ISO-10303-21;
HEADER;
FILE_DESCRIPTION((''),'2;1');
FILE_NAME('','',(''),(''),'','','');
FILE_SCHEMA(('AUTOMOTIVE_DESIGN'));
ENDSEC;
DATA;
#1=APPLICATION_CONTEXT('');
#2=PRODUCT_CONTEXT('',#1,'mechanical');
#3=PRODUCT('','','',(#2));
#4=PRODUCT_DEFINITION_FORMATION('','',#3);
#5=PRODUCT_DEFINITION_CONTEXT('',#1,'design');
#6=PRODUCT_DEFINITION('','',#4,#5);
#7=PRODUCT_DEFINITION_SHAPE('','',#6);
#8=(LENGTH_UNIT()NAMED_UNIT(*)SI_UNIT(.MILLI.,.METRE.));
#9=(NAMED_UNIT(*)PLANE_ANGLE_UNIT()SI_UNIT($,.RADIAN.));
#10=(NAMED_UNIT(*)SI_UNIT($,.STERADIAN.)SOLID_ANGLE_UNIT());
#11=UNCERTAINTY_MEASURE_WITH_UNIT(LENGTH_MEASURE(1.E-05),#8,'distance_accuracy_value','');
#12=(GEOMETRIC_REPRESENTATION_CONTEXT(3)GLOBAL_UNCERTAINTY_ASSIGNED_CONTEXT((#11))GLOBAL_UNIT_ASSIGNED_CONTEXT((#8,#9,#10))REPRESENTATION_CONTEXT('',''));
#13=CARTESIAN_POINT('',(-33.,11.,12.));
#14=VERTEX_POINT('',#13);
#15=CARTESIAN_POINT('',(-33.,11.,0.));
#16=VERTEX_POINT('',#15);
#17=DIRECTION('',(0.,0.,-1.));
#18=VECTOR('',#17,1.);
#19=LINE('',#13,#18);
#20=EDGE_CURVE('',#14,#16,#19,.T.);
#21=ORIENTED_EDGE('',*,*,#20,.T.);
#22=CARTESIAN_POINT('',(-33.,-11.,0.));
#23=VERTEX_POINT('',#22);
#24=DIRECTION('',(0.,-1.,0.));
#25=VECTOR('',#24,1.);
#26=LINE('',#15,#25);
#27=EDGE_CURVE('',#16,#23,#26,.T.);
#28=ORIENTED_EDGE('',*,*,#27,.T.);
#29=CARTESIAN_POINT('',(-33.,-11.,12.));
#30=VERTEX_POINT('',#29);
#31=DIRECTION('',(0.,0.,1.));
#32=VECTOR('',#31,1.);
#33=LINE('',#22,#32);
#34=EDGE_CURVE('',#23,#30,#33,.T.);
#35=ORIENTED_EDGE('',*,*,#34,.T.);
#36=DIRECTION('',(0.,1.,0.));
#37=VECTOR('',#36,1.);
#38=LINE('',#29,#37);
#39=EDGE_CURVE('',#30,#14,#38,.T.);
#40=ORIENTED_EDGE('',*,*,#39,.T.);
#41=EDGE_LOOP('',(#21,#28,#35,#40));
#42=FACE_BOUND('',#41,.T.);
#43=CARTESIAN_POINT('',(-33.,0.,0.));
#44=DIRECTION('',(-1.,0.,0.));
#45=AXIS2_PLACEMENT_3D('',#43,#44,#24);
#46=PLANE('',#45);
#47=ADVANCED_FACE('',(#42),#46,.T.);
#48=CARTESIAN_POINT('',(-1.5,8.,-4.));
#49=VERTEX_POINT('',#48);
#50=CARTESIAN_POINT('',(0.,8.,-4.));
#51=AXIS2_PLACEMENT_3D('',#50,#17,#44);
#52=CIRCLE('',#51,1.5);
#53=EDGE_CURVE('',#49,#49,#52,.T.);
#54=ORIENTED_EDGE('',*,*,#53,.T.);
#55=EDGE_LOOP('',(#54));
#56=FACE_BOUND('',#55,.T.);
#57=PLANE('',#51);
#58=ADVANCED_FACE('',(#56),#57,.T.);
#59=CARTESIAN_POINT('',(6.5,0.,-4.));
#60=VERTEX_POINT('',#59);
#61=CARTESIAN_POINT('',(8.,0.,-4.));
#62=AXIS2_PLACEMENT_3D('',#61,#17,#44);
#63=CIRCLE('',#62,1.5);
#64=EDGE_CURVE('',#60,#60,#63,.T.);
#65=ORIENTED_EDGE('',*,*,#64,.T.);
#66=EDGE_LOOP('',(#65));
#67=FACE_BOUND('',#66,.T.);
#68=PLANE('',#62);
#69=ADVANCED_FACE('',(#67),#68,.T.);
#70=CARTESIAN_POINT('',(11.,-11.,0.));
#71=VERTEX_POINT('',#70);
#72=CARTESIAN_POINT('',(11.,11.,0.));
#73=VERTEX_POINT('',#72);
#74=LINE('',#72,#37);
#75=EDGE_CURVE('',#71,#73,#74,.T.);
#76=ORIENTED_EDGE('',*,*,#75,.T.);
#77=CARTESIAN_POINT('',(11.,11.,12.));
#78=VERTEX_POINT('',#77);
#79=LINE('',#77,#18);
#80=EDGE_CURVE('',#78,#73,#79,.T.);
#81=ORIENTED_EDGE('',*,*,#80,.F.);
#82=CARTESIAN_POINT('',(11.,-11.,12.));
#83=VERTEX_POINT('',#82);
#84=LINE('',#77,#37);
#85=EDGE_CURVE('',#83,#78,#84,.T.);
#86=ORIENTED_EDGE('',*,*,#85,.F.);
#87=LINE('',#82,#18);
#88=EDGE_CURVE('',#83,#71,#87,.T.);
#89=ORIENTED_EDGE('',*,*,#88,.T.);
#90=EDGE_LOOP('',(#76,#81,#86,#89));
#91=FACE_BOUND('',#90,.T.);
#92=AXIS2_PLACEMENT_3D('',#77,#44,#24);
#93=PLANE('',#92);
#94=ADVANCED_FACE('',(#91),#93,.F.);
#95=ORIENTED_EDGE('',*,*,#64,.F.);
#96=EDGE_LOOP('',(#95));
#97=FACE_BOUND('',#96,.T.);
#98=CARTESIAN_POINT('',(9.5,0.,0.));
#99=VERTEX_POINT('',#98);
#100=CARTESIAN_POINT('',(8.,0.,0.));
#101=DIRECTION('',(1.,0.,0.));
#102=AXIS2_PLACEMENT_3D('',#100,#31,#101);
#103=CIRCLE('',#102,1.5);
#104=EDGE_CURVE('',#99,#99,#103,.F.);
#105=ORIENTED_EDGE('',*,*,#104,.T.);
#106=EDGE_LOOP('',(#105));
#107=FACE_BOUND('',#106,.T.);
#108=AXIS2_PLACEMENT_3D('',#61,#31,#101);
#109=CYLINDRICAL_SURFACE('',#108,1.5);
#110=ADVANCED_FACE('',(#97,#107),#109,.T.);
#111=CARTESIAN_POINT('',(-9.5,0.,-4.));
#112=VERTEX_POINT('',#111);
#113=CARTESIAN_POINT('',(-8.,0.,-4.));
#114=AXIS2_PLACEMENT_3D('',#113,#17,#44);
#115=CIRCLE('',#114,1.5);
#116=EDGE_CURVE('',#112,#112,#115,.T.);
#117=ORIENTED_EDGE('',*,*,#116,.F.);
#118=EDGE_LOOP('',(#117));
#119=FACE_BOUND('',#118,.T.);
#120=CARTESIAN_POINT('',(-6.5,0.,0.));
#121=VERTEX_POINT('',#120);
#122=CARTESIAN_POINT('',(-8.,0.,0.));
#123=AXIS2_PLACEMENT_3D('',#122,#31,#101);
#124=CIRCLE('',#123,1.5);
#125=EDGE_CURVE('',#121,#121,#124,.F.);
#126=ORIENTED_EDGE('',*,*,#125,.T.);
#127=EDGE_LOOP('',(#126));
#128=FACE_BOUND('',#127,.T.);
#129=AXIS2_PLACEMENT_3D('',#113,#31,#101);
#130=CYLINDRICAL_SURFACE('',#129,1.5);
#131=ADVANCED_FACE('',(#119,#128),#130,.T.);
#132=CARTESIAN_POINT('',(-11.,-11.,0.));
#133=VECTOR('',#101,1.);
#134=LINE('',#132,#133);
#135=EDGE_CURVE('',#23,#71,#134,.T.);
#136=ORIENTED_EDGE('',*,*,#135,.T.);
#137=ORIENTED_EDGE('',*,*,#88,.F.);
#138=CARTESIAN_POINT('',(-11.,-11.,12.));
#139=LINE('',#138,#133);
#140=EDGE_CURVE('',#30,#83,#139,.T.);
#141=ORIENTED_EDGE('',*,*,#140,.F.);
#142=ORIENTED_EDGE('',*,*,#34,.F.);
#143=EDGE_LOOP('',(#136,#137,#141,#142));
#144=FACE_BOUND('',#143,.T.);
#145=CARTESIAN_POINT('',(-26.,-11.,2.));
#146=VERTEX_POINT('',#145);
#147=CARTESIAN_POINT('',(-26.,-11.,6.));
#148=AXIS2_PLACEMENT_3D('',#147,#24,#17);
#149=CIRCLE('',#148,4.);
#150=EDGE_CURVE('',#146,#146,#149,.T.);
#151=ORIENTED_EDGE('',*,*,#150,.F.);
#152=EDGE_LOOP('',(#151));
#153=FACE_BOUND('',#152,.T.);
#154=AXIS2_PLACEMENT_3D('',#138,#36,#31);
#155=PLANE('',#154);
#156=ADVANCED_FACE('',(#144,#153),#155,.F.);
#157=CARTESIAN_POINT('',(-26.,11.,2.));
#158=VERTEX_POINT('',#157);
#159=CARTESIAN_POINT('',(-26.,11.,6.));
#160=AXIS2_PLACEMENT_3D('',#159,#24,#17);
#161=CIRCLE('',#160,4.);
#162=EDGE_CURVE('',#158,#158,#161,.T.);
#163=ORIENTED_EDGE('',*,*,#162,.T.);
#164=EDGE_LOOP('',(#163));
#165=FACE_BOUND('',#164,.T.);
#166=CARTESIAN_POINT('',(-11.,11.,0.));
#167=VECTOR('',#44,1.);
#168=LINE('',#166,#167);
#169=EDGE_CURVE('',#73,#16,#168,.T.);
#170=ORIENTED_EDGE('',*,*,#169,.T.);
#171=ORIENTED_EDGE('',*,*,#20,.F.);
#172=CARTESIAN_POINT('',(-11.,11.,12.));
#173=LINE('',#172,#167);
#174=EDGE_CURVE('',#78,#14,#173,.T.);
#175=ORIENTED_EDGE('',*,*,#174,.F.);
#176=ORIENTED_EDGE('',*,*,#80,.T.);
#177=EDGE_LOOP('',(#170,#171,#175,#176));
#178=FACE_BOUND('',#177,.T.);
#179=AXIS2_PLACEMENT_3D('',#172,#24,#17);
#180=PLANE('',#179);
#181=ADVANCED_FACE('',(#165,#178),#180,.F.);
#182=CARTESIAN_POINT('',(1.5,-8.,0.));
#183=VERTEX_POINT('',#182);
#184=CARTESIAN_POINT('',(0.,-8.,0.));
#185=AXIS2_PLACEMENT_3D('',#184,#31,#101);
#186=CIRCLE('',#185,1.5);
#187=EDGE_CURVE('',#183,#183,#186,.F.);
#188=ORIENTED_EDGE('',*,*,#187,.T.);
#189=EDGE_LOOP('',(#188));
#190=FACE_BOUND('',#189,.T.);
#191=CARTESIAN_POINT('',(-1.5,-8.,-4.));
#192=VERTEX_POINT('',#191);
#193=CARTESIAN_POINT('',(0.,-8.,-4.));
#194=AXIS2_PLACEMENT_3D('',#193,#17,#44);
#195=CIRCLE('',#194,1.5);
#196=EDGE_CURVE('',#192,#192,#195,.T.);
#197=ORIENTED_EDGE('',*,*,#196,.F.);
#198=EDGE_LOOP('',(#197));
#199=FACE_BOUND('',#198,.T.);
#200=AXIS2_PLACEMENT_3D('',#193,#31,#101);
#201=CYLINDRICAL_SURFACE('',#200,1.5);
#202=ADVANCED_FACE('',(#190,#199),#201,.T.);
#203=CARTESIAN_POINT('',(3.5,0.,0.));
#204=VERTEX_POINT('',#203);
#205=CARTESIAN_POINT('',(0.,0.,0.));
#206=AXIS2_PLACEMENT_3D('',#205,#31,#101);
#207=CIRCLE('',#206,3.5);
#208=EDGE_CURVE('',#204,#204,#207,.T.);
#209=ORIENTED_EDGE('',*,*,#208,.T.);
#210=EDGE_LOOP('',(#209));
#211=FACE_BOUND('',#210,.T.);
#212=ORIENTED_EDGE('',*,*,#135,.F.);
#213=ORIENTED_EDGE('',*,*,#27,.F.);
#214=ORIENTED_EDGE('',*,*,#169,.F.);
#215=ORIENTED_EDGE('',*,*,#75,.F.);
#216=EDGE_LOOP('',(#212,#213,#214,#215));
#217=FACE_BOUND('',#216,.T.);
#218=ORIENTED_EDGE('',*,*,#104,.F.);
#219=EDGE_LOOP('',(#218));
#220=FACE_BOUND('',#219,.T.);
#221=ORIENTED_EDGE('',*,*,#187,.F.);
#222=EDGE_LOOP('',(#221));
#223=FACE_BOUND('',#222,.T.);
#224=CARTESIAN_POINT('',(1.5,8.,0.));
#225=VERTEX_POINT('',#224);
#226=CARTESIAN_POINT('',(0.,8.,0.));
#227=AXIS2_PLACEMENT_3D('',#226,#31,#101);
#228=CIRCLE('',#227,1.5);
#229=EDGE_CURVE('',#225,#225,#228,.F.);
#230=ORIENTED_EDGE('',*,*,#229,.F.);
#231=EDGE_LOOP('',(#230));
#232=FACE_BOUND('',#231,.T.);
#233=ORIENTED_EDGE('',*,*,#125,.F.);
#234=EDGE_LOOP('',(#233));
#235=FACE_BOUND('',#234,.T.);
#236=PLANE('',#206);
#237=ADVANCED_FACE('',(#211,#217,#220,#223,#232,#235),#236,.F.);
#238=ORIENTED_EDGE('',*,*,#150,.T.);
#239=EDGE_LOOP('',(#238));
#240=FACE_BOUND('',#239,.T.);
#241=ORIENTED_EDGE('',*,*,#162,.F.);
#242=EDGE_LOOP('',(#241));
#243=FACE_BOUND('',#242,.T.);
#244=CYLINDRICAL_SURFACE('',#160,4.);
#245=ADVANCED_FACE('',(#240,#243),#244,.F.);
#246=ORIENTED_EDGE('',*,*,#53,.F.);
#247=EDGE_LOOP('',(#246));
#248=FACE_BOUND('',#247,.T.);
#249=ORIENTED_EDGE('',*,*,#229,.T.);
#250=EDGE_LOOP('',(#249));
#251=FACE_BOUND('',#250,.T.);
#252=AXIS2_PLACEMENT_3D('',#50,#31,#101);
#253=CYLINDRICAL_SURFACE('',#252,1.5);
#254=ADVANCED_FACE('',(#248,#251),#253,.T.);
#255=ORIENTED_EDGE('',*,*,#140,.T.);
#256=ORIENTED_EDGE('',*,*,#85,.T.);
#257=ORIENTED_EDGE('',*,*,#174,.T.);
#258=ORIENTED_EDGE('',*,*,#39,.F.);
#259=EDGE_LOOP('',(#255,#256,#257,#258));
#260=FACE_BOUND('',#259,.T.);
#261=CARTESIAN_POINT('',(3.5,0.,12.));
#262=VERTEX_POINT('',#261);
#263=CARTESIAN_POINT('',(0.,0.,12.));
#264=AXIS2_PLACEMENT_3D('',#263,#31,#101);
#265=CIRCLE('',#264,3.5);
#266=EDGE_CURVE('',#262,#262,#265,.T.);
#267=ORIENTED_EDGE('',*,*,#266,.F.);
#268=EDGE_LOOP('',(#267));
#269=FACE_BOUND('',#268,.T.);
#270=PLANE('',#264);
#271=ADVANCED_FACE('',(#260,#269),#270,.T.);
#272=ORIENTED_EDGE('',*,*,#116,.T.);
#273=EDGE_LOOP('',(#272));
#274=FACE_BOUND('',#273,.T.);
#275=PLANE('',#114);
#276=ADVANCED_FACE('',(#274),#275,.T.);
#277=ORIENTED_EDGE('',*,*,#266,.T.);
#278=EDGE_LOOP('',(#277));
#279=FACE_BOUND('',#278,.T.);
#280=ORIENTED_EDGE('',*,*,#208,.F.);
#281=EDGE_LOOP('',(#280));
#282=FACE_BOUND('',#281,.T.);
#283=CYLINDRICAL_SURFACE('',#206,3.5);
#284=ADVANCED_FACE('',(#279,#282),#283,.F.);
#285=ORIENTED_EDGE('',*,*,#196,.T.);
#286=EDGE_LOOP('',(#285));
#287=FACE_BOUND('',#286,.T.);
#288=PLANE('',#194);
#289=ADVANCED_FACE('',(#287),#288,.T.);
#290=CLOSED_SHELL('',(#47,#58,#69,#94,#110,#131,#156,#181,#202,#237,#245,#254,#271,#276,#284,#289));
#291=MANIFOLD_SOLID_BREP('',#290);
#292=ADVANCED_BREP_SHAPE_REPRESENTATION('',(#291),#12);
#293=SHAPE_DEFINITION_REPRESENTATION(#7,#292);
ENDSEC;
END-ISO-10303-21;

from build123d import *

# Parameters (mm, degrees)
SKETCH_1_W          = 22
SKETCH_1_H          = 22
EXTRUDE_1_DEPTH     = 12
SKETCH_3_R          = 3.5
CUT_EXTRUDE_2_DEPTH = 12
SKETCH_5_R          = 1.5
EXTRUDE_2_DEPTH     = 4
SKETCH_6_W          = 12
SKETCH_6_H          = 22
EXTRUDE_3_DEPTH     = 22
SKETCH_7_R          = 4
CUT_EXTRUDE_3_DEPTH = 22


with BuildPart() as part:
    # 草图1 → 凸台-拉伸1 (new body)
    with BuildSketch(Plane.XY):
        Rectangle(SKETCH_1_W, SKETCH_1_H)
    extrude(amount=EXTRUDE_1_DEPTH)

    # 草图3 → 切除-拉伸2 (cut)
    with BuildSketch(Plane.XY.offset(12)):
        Circle(SKETCH_3_R)
    extrude(amount=-CUT_EXTRUDE_2_DEPTH, mode=Mode.SUBTRACT)

    # 草图5 → 凸台-拉伸2 (add)
    with BuildSketch(Plane(origin=(0, 0, 0), x_dir=(-1, 0, 0), z_dir=(0, 0, -1))):
        with Locations(Location((0, 8, 0), (0, 0, 180))):
            Circle(SKETCH_5_R)
        with Locations(Location((8, 0, 0), (0, 0, 180))):
            Circle(SKETCH_5_R)
        with Locations(Location((0, -8, 0), (0, 0, 180))):
            Circle(SKETCH_5_R)
        with Locations(Location((-8, 0, 0), (0, 0, 180))):
            Circle(SKETCH_5_R)
    extrude(amount=EXTRUDE_2_DEPTH)

    # 草图6 → 凸台-拉伸3 (add)
    with BuildSketch(Plane.ZY.offset(11)):
        with Locations((6, 0)):
            Rectangle(SKETCH_6_W, SKETCH_6_H)
    extrude(amount=EXTRUDE_3_DEPTH)

    # 草图7 → 切除-拉伸3 (cut)
    with BuildSketch(Plane.XZ.offset(11)):
        with Locations(Location((-26, 6, 0), (0, 0, 270))):
            Circle(SKETCH_7_R)
    extrude(amount=-CUT_EXTRUDE_3_DEPTH, mode=Mode.SUBTRACT)


solid = part.part
